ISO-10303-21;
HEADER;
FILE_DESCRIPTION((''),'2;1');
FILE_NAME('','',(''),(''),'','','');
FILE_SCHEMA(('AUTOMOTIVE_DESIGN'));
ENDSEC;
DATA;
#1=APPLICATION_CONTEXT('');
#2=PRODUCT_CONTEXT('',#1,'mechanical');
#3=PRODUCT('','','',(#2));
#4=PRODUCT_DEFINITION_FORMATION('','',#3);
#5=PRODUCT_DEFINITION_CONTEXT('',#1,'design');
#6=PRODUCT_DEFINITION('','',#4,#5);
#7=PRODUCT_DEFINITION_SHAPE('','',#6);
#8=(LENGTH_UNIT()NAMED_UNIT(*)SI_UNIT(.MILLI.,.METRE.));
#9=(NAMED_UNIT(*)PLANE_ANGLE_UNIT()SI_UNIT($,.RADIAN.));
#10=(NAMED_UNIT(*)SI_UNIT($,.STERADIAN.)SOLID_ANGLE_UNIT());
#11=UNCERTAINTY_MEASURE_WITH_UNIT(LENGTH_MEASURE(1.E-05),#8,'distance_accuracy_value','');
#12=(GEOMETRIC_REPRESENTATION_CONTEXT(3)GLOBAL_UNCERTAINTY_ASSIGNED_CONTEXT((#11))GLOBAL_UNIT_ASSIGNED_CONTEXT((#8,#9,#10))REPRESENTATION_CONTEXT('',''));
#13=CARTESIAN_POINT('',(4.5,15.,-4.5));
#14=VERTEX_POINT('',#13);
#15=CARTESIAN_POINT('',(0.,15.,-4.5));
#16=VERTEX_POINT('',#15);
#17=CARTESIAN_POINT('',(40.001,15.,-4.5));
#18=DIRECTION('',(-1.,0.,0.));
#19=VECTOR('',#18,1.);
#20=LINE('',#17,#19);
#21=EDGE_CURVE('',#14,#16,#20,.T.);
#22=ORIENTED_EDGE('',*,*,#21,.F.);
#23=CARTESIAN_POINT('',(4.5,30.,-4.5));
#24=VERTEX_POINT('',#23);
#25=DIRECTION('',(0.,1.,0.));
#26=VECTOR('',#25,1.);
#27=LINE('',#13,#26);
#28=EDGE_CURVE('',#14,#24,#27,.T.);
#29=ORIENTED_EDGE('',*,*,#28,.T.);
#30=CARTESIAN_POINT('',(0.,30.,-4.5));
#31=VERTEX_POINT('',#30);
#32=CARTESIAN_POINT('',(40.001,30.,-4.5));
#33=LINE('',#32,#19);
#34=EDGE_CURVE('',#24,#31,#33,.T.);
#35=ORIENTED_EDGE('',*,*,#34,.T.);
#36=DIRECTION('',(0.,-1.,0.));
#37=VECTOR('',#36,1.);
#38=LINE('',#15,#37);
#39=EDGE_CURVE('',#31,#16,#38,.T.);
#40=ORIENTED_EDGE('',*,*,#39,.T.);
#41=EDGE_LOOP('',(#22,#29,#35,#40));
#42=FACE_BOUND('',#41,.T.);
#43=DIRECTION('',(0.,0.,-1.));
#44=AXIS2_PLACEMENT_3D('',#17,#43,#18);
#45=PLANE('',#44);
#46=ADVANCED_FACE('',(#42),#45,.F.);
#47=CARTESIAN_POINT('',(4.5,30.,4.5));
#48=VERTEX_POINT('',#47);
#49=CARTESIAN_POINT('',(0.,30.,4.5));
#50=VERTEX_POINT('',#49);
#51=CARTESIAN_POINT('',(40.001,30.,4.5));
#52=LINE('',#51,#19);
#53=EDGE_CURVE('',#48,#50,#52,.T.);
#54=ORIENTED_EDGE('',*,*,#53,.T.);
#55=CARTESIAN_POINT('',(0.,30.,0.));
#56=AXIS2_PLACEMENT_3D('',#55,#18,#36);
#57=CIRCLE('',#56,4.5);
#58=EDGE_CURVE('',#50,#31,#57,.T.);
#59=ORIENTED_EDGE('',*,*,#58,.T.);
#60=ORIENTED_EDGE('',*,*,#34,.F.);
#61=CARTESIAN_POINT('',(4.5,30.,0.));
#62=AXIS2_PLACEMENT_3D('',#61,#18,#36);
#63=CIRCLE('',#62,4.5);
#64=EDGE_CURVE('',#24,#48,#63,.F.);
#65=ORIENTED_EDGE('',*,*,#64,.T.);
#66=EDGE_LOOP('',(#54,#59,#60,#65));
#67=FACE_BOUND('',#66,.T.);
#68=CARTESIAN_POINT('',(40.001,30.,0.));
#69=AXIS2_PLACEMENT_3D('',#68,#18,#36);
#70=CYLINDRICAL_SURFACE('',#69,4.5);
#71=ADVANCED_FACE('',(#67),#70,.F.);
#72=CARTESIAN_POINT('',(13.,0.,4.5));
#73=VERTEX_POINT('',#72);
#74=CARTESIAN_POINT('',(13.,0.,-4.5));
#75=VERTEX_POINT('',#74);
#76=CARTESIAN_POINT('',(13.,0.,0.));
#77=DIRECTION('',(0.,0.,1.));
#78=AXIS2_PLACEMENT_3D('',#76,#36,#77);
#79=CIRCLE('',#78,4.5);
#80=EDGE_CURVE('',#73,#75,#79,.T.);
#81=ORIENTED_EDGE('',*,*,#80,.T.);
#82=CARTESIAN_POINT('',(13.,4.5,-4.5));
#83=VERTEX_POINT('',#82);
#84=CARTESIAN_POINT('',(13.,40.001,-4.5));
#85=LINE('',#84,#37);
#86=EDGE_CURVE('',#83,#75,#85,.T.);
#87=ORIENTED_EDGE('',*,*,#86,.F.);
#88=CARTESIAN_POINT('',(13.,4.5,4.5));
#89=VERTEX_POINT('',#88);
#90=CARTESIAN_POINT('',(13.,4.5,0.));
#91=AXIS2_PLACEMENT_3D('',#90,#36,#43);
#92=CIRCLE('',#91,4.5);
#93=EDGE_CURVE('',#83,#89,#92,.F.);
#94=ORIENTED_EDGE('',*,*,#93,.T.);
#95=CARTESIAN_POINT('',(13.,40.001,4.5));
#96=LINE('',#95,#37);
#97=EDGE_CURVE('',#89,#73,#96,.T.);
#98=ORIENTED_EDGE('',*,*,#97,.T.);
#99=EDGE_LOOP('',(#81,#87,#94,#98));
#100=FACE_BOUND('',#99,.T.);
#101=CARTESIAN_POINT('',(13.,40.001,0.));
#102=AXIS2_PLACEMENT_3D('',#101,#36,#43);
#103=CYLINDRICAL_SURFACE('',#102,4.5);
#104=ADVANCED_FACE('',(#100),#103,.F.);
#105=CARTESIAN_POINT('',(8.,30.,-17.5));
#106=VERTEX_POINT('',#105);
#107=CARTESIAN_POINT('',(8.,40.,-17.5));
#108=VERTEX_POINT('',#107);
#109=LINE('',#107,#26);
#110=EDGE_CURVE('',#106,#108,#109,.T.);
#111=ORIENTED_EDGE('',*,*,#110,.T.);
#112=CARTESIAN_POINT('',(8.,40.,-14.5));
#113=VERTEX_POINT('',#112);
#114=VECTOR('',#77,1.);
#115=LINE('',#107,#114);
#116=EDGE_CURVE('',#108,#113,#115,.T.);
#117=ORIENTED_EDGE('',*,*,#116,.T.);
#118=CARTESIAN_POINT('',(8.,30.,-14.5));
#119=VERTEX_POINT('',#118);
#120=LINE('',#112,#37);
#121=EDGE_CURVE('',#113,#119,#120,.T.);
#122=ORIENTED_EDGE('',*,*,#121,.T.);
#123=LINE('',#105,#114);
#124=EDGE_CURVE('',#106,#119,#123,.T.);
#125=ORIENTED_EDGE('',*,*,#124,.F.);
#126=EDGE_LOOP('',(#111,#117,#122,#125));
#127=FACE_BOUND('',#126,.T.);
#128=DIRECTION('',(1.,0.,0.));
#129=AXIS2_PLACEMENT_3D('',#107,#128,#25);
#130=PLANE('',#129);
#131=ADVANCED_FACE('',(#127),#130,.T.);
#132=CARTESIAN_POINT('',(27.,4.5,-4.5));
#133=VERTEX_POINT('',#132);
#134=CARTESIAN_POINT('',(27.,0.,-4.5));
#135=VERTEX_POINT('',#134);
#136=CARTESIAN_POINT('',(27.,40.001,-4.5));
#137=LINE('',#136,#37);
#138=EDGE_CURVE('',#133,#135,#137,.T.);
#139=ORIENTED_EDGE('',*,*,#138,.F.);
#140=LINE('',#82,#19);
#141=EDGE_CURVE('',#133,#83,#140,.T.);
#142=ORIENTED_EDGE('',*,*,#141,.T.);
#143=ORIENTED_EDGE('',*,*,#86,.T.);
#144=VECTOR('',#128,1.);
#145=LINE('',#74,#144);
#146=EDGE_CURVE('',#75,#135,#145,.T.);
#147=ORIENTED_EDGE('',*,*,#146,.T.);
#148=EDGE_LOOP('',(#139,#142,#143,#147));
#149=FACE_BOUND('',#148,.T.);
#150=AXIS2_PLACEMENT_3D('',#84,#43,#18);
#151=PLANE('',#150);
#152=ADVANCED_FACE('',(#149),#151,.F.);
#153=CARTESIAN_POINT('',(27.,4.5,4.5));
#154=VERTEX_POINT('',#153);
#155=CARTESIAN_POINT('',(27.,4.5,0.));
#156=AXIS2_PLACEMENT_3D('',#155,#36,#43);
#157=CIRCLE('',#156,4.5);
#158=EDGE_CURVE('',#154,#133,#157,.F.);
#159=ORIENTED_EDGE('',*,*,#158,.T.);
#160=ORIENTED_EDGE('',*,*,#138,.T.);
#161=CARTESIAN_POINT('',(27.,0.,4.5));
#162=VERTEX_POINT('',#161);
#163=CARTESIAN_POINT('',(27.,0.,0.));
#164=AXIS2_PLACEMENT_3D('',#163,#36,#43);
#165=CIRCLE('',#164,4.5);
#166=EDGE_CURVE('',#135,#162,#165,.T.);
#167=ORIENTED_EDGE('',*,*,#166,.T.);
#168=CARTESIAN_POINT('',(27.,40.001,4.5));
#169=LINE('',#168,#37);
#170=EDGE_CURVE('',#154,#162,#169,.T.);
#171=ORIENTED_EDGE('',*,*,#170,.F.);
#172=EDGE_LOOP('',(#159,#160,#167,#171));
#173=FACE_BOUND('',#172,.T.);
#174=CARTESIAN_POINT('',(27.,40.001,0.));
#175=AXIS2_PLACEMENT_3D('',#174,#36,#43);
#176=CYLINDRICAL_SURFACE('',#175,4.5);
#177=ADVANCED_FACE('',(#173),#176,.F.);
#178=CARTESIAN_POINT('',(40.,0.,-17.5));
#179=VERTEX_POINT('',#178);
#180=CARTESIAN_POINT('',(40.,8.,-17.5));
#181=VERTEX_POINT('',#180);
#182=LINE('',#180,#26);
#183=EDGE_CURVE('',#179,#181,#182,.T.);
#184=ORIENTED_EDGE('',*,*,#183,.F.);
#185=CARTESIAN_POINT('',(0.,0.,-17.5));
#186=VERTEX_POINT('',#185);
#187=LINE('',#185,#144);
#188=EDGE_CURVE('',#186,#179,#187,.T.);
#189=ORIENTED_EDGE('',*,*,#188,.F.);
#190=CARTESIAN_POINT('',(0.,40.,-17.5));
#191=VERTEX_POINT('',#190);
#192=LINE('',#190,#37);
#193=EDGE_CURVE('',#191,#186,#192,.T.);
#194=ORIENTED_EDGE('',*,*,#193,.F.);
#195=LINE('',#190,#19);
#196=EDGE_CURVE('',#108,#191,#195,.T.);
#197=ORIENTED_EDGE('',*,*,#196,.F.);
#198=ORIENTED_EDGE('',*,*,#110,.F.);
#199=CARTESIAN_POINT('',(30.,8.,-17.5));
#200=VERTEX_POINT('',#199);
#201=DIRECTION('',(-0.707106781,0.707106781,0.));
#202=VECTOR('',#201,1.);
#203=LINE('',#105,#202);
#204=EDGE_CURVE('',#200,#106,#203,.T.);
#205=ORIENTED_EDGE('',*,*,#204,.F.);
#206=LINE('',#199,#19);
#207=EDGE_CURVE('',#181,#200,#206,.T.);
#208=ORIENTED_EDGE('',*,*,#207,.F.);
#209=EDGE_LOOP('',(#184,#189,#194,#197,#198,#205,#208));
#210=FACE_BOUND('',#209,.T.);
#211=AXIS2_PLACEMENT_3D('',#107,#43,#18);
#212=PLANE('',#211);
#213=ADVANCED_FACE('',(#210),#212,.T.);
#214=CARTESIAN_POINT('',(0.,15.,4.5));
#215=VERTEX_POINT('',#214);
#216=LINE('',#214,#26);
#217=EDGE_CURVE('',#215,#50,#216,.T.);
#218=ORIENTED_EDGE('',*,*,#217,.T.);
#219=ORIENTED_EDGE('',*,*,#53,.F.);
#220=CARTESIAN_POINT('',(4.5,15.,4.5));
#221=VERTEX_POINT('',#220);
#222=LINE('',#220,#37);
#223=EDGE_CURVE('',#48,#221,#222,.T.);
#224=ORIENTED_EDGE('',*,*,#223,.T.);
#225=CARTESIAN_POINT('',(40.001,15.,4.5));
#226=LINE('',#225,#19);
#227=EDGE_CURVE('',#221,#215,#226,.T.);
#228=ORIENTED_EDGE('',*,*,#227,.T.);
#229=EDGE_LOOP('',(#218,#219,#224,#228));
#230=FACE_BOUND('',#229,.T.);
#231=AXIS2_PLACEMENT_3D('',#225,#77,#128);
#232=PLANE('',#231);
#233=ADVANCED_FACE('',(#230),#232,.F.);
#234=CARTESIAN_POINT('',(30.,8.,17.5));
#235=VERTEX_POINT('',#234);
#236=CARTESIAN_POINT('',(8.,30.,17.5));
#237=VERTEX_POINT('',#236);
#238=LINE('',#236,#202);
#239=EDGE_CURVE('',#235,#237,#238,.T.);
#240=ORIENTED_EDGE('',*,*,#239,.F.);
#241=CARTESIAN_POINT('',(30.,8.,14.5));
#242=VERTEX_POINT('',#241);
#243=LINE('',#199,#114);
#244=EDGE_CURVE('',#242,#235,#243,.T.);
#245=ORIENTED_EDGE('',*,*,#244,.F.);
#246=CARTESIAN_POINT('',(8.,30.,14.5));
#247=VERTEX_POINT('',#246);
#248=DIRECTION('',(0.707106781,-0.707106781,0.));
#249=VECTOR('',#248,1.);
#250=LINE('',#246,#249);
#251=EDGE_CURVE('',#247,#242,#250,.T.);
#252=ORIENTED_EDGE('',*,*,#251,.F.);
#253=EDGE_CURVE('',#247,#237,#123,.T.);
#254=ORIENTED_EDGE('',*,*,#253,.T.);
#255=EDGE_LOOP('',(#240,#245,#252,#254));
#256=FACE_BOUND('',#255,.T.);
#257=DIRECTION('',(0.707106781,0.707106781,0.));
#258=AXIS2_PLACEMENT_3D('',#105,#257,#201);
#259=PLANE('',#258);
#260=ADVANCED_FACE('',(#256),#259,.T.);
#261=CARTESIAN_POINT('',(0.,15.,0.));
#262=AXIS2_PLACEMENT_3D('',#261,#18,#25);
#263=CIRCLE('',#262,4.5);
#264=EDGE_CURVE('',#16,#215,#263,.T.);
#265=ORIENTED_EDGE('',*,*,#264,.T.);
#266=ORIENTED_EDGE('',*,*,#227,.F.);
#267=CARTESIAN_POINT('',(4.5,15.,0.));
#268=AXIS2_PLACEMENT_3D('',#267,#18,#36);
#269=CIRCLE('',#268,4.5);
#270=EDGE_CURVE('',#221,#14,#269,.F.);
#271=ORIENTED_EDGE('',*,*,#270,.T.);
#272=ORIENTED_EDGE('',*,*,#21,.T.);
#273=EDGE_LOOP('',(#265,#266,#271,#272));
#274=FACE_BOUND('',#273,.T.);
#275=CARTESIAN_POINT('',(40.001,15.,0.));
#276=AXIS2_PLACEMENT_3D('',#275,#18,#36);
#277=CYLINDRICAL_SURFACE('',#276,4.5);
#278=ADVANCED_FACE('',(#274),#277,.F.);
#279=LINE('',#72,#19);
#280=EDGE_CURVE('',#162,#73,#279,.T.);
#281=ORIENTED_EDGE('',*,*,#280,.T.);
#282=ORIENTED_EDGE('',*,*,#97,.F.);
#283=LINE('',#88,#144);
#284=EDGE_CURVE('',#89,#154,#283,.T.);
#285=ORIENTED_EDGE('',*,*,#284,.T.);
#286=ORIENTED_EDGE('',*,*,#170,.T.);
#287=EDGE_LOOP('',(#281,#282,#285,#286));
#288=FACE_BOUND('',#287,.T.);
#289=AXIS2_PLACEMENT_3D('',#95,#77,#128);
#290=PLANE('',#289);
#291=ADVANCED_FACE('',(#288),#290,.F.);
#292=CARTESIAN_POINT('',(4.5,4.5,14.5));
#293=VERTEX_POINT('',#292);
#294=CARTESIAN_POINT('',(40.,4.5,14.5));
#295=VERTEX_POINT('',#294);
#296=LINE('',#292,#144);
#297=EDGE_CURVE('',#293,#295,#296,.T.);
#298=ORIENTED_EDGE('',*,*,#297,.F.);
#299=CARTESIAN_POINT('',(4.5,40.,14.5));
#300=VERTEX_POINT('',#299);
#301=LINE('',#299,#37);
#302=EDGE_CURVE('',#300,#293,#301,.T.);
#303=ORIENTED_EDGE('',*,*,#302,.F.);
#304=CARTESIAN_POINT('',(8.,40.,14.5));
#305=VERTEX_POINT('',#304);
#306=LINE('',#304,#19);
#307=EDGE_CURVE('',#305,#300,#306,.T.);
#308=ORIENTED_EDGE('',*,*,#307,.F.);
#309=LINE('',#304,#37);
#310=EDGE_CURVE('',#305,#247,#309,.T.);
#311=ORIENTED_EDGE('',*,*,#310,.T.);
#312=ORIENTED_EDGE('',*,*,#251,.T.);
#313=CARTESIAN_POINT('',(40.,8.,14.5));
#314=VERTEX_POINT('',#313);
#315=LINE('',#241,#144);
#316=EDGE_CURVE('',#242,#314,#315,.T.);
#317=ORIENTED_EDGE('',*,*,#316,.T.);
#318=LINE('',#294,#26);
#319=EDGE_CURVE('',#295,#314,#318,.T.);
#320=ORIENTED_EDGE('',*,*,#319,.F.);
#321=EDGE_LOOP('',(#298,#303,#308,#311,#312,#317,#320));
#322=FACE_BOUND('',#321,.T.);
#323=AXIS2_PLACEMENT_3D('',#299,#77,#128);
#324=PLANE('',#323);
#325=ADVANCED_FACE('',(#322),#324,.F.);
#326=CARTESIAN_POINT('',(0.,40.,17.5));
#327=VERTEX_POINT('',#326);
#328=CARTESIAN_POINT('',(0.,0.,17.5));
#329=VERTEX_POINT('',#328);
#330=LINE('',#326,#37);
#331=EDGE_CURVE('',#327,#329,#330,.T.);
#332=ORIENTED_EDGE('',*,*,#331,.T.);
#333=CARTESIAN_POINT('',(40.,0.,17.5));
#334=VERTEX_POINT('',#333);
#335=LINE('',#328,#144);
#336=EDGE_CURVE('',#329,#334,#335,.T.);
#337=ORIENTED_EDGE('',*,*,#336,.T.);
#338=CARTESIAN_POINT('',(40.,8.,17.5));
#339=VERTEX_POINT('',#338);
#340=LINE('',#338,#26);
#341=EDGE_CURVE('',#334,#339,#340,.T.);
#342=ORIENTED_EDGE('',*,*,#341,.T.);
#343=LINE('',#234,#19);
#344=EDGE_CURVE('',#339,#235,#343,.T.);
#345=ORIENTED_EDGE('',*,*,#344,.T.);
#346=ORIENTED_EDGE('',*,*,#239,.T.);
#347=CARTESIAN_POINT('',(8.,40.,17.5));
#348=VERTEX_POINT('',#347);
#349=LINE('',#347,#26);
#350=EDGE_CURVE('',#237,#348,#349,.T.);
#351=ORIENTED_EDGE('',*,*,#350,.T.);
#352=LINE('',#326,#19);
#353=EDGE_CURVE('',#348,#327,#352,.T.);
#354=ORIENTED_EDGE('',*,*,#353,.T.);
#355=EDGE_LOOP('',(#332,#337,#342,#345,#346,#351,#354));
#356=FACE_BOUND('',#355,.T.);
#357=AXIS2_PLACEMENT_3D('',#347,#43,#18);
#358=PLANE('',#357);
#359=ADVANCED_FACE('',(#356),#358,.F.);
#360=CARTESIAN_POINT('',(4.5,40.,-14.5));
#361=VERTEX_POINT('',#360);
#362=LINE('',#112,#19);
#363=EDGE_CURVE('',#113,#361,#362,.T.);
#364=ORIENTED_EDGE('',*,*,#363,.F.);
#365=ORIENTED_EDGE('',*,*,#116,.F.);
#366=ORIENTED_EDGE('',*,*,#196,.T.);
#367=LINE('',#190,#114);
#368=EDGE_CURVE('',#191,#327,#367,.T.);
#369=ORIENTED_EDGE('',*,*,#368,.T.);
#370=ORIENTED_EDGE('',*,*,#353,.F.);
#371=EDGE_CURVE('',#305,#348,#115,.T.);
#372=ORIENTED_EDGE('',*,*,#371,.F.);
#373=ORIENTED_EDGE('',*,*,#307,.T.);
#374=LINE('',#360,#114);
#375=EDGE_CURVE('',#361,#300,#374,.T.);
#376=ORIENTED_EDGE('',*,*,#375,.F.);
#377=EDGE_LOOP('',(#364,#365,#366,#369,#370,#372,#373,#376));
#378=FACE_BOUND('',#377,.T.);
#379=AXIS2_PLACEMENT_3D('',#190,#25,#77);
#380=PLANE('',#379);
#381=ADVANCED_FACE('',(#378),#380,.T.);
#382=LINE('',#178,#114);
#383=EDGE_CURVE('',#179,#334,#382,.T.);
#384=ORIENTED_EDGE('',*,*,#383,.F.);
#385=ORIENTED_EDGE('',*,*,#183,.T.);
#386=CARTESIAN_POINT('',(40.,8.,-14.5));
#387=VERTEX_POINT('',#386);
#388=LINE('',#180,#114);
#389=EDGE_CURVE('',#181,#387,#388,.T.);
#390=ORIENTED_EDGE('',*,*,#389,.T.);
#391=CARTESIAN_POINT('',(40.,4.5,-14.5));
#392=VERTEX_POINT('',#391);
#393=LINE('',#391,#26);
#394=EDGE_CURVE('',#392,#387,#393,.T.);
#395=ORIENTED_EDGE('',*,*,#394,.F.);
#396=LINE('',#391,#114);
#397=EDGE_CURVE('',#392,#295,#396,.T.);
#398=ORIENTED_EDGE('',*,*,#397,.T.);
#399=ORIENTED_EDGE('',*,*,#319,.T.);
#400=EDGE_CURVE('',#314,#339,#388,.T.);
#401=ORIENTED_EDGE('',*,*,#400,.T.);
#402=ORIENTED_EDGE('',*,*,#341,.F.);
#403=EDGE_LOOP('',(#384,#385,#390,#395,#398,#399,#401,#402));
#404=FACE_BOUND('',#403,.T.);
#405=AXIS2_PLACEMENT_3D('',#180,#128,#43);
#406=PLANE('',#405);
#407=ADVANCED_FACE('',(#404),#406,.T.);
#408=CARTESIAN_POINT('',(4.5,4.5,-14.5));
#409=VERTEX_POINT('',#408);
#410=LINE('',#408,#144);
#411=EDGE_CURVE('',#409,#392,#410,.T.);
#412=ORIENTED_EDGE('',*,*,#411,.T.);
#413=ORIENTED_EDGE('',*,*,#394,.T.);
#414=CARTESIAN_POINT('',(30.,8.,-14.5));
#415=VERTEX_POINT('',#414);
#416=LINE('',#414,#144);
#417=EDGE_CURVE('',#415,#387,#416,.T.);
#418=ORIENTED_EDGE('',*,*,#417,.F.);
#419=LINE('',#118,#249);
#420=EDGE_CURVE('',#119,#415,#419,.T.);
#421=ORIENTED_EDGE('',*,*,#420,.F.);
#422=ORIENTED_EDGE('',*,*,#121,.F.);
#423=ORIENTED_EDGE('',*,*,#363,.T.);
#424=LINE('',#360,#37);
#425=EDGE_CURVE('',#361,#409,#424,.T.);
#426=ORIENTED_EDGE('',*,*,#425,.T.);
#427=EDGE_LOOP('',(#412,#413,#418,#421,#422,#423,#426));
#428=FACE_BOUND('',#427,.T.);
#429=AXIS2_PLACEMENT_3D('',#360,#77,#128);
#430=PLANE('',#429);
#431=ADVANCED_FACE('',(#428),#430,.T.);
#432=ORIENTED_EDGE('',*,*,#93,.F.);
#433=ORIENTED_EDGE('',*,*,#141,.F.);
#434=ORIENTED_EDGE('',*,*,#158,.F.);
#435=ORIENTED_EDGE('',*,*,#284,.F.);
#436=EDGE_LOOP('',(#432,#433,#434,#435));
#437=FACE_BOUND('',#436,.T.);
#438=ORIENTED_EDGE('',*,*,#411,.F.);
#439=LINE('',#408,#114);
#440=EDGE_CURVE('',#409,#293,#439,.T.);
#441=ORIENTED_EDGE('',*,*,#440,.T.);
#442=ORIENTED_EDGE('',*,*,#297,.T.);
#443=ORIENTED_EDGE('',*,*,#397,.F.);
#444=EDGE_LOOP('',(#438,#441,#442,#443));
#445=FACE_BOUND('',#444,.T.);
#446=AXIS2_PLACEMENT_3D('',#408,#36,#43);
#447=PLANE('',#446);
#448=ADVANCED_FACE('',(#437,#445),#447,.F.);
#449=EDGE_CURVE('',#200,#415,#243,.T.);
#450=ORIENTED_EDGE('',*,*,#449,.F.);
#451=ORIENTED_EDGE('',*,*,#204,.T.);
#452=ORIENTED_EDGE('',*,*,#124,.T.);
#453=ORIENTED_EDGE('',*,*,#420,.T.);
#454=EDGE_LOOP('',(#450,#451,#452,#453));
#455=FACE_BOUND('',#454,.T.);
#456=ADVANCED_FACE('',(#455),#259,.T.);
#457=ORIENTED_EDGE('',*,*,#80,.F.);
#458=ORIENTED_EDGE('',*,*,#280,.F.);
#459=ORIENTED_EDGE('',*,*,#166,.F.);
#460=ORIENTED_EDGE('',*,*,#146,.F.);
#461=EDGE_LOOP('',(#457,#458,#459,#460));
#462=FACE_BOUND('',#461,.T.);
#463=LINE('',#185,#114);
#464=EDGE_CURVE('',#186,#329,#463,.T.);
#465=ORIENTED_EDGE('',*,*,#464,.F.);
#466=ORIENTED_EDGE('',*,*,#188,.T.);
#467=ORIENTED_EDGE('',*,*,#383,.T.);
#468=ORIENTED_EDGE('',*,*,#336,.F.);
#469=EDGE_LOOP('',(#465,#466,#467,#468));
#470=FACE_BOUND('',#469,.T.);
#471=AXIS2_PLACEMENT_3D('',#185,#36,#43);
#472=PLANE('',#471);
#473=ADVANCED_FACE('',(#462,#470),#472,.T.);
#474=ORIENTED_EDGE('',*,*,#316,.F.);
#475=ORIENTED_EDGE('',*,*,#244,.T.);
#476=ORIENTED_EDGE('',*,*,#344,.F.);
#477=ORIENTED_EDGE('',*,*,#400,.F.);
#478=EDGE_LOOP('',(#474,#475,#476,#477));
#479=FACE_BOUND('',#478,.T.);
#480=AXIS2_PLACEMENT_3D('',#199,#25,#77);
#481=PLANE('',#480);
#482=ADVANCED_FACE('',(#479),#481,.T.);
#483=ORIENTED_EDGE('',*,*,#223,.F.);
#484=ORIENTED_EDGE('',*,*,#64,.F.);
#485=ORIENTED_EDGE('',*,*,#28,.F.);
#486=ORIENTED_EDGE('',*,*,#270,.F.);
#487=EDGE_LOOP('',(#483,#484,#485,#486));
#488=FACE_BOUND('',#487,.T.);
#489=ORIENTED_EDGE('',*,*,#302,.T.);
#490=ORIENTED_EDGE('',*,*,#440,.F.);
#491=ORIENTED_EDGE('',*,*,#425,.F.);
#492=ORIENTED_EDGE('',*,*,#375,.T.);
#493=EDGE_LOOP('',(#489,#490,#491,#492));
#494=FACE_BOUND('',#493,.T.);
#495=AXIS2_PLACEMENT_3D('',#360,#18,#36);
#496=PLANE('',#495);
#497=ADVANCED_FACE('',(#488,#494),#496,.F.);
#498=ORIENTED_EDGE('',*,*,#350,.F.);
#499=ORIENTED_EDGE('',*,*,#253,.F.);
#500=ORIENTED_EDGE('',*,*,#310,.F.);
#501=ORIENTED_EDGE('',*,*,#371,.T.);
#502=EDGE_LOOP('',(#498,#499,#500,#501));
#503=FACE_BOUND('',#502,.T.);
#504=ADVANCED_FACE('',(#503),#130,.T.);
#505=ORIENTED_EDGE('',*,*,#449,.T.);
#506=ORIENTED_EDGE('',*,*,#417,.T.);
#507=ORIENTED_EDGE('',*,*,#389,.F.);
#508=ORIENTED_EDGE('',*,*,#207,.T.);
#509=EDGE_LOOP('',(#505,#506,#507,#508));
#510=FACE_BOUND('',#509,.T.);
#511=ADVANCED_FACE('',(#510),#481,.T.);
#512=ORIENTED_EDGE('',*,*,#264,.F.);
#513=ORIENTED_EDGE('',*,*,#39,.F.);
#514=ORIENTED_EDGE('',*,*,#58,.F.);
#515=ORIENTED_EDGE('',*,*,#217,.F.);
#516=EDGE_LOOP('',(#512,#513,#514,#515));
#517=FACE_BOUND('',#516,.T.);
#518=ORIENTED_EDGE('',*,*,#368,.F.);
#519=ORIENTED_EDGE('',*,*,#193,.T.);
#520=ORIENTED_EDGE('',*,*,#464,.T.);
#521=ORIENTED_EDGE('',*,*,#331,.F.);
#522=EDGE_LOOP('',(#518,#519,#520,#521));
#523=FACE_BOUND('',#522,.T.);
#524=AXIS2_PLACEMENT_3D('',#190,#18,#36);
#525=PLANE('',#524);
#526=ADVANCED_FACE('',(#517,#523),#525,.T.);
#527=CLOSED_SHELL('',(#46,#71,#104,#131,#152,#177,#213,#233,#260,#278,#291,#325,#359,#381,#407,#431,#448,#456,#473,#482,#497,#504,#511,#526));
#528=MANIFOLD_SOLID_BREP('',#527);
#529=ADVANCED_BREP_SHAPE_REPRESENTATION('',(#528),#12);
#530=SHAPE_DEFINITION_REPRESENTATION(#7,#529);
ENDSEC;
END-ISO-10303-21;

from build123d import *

# Parameters (mm, degrees)
EXTRUDE_1_DEPTH     = 17.5
CUT_EXTRUDE_1_DEPTH = 14.5
CUT_EXTRUDE_2_REACH = 42
CUT_EXTRUDE_3_REACH = 42


with BuildPart() as part:
    # 草图1 → 凸台-拉伸1 (new body, symmetric)
    with BuildSketch(Plane.XY):
        Polygon((0, 40), (0, 0), (40, 0), (40, 8), (30, 8), (8, 30), (8, 40), align=None)
    extrude(amount=EXTRUDE_1_DEPTH, both=True)

    # 草图2 → 切除-拉伸1 (cut, symmetric)
    with BuildSketch(Plane.XY):
        Polygon((4.5, 40), (4.5, 4.5), (40, 4.5), (40, 8), (8, 40), align=None)
    extrude(amount=CUT_EXTRUDE_1_DEPTH, both=True, mode=Mode.SUBTRACT)

    # 草图3 → 切除-拉伸2 (cut, up to next)
    with BuildSketch(Plane.XZ, mode=Mode.PRIVATE) as cut_extrude_2_sk1:
        with BuildLine():
            Line((13, -4.5), (27, -4.5))
            ThreePointArc((27, -4.5), (31.5, 0), (27, 4.5))
            Line((27, 4.5), (13, 4.5))
            ThreePointArc((13, 4.5), (8.5, 0), (13, -4.5))
        make_face()
    cut_extrude_2_tool1 = extrude(cut_extrude_2_sk1.sketch, amount=-CUT_EXTRUDE_2_REACH, mode=Mode.PRIVATE) & part.part
    add(cut_extrude_2_tool1.solids().sort_by_distance((20, 0, 0))[0], mode=Mode.SUBTRACT)

    # 草图4 → 切除-拉伸3 (cut, up to next)
    with BuildSketch(Plane.ZY, mode=Mode.PRIVATE) as cut_extrude_3_sk1:
        with BuildLine():
            Line((4.5, 15), (4.5, 30))
            ThreePointArc((4.5, 30), (0, 34.5), (-4.5, 30))
            Line((-4.5, 30), (-4.5, 15))
            ThreePointArc((-4.5, 15), (0, 10.5), (4.5, 15))
        make_face()
    cut_extrude_3_tool1 = extrude(cut_extrude_3_sk1.sketch, amount=-CUT_EXTRUDE_3_REACH, mode=Mode.PRIVATE) & part.part
    add(cut_extrude_3_tool1.solids().sort_by_distance((0, 22.5, 0))[0], mode=Mode.SUBTRACT)


solid = part.part
